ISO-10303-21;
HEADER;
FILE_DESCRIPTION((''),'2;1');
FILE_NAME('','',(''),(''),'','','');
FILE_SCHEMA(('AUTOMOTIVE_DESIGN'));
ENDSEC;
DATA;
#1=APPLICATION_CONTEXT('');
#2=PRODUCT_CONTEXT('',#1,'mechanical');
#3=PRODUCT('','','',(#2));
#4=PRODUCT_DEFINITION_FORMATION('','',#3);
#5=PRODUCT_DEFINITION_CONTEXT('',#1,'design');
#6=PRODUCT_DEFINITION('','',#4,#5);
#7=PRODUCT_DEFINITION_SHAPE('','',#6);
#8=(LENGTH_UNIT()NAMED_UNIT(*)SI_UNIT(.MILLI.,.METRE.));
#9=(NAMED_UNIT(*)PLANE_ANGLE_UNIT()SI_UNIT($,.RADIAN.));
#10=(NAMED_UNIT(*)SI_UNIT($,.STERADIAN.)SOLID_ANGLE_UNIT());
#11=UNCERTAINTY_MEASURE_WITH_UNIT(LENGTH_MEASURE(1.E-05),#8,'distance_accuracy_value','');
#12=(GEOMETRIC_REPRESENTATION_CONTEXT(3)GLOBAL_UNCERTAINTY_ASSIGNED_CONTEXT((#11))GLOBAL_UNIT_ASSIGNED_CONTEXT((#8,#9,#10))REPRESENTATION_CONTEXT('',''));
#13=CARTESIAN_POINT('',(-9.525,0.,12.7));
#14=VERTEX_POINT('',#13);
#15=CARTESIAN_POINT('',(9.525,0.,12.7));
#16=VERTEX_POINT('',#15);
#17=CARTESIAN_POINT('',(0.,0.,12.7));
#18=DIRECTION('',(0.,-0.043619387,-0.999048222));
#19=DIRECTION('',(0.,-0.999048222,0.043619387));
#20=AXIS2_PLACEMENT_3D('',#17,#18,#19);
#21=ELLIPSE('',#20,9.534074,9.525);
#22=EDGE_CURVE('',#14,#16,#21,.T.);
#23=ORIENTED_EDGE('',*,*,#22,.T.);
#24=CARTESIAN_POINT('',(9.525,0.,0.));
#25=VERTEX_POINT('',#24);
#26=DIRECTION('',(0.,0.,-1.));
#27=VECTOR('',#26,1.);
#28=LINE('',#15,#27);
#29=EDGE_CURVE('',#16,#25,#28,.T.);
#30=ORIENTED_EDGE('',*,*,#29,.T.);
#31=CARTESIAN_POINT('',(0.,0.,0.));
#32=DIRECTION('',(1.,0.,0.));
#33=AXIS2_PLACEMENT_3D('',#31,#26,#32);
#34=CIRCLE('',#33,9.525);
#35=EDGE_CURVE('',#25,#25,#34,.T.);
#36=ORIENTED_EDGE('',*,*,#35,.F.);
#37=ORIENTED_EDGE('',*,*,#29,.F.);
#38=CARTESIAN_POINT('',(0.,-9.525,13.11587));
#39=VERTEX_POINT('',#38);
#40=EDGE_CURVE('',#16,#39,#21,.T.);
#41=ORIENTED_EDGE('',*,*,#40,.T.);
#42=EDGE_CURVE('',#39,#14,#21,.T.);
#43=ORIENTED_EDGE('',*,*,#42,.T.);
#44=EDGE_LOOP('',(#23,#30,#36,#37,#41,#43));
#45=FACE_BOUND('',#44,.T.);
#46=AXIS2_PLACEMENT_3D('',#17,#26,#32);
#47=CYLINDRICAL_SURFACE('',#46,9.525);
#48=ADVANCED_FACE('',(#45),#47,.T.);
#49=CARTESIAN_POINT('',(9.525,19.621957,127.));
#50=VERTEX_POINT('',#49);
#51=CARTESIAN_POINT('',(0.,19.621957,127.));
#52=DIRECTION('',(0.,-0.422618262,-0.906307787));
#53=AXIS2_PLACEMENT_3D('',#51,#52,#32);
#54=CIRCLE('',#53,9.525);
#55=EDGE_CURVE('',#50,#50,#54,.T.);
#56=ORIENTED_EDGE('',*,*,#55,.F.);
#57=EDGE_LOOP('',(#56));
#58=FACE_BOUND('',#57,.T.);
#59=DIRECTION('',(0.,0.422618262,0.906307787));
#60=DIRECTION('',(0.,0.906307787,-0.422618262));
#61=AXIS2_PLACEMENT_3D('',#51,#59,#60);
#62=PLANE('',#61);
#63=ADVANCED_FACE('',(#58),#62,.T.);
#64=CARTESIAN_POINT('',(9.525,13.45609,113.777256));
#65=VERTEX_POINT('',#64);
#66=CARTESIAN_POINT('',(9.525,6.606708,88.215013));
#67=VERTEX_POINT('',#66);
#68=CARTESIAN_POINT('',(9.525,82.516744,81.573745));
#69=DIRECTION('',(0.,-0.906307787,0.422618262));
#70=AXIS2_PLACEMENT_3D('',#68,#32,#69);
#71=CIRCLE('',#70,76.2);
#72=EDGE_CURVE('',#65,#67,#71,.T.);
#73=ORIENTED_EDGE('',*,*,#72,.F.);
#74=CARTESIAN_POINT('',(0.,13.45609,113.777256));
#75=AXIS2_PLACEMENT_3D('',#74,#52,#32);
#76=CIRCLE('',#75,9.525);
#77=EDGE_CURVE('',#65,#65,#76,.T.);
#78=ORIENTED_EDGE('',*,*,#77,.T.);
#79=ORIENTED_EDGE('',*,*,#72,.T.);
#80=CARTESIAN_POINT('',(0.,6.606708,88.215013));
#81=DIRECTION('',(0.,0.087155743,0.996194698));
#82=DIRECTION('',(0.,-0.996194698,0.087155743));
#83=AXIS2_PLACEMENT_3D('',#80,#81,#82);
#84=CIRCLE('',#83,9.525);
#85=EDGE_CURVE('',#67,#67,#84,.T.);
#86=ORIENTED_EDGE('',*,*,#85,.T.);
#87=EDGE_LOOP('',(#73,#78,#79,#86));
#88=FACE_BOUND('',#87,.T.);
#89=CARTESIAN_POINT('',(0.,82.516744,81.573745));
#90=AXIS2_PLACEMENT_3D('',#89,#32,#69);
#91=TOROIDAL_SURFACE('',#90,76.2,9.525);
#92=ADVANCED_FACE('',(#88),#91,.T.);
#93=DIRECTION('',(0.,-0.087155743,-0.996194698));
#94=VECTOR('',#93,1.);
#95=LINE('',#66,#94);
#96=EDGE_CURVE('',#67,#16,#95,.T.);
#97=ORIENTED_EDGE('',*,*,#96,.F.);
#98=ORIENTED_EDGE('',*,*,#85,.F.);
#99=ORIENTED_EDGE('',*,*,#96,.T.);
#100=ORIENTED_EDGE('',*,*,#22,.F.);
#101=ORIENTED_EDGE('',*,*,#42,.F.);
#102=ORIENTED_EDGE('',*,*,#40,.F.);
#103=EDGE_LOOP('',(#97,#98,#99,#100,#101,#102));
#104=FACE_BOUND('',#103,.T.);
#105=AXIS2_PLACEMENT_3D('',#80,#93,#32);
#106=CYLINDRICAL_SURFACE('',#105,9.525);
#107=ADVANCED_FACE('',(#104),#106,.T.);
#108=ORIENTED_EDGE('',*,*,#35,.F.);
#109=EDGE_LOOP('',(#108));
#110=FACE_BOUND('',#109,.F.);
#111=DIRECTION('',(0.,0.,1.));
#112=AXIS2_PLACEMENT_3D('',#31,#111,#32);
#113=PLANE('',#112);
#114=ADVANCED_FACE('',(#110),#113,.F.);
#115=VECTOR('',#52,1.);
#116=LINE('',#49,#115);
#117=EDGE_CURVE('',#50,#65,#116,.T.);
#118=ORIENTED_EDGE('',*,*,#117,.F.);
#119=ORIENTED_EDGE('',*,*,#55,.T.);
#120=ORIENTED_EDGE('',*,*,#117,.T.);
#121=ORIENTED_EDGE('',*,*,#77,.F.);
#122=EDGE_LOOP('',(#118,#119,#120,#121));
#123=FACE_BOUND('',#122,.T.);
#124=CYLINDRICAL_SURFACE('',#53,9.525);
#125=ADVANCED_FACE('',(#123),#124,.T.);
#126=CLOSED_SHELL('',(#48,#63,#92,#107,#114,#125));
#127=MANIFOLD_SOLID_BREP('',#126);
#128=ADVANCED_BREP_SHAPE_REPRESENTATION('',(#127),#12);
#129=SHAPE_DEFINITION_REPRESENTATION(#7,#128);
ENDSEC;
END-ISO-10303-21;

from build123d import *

# Parameters (mm, degrees)
F1_R = 9.525


with BuildPart() as f2:
    # F2: sweep along a path in F0
    with BuildLine(Plane.YZ) as f2_path:
        Line((19.6219567046, 127), (13.4560901463, 113.7772564949))
        ThreePointArc((13.4560901463, 113.7772564949), (8.9131955553, 101.295756187), (6.6067075239, 88.2150125476))
        Line((6.6067075239, 88.2150125476), (0, 12.7))
        Line((0, 12.7), (0, 0))
    # F1 (on Top) → F2 (sweep)
    with BuildSketch(Plane.XY):
        Circle(F1_R)
    sweep(path=f2_path.line, transition=Transition.RIGHT)


solid = f2.part
